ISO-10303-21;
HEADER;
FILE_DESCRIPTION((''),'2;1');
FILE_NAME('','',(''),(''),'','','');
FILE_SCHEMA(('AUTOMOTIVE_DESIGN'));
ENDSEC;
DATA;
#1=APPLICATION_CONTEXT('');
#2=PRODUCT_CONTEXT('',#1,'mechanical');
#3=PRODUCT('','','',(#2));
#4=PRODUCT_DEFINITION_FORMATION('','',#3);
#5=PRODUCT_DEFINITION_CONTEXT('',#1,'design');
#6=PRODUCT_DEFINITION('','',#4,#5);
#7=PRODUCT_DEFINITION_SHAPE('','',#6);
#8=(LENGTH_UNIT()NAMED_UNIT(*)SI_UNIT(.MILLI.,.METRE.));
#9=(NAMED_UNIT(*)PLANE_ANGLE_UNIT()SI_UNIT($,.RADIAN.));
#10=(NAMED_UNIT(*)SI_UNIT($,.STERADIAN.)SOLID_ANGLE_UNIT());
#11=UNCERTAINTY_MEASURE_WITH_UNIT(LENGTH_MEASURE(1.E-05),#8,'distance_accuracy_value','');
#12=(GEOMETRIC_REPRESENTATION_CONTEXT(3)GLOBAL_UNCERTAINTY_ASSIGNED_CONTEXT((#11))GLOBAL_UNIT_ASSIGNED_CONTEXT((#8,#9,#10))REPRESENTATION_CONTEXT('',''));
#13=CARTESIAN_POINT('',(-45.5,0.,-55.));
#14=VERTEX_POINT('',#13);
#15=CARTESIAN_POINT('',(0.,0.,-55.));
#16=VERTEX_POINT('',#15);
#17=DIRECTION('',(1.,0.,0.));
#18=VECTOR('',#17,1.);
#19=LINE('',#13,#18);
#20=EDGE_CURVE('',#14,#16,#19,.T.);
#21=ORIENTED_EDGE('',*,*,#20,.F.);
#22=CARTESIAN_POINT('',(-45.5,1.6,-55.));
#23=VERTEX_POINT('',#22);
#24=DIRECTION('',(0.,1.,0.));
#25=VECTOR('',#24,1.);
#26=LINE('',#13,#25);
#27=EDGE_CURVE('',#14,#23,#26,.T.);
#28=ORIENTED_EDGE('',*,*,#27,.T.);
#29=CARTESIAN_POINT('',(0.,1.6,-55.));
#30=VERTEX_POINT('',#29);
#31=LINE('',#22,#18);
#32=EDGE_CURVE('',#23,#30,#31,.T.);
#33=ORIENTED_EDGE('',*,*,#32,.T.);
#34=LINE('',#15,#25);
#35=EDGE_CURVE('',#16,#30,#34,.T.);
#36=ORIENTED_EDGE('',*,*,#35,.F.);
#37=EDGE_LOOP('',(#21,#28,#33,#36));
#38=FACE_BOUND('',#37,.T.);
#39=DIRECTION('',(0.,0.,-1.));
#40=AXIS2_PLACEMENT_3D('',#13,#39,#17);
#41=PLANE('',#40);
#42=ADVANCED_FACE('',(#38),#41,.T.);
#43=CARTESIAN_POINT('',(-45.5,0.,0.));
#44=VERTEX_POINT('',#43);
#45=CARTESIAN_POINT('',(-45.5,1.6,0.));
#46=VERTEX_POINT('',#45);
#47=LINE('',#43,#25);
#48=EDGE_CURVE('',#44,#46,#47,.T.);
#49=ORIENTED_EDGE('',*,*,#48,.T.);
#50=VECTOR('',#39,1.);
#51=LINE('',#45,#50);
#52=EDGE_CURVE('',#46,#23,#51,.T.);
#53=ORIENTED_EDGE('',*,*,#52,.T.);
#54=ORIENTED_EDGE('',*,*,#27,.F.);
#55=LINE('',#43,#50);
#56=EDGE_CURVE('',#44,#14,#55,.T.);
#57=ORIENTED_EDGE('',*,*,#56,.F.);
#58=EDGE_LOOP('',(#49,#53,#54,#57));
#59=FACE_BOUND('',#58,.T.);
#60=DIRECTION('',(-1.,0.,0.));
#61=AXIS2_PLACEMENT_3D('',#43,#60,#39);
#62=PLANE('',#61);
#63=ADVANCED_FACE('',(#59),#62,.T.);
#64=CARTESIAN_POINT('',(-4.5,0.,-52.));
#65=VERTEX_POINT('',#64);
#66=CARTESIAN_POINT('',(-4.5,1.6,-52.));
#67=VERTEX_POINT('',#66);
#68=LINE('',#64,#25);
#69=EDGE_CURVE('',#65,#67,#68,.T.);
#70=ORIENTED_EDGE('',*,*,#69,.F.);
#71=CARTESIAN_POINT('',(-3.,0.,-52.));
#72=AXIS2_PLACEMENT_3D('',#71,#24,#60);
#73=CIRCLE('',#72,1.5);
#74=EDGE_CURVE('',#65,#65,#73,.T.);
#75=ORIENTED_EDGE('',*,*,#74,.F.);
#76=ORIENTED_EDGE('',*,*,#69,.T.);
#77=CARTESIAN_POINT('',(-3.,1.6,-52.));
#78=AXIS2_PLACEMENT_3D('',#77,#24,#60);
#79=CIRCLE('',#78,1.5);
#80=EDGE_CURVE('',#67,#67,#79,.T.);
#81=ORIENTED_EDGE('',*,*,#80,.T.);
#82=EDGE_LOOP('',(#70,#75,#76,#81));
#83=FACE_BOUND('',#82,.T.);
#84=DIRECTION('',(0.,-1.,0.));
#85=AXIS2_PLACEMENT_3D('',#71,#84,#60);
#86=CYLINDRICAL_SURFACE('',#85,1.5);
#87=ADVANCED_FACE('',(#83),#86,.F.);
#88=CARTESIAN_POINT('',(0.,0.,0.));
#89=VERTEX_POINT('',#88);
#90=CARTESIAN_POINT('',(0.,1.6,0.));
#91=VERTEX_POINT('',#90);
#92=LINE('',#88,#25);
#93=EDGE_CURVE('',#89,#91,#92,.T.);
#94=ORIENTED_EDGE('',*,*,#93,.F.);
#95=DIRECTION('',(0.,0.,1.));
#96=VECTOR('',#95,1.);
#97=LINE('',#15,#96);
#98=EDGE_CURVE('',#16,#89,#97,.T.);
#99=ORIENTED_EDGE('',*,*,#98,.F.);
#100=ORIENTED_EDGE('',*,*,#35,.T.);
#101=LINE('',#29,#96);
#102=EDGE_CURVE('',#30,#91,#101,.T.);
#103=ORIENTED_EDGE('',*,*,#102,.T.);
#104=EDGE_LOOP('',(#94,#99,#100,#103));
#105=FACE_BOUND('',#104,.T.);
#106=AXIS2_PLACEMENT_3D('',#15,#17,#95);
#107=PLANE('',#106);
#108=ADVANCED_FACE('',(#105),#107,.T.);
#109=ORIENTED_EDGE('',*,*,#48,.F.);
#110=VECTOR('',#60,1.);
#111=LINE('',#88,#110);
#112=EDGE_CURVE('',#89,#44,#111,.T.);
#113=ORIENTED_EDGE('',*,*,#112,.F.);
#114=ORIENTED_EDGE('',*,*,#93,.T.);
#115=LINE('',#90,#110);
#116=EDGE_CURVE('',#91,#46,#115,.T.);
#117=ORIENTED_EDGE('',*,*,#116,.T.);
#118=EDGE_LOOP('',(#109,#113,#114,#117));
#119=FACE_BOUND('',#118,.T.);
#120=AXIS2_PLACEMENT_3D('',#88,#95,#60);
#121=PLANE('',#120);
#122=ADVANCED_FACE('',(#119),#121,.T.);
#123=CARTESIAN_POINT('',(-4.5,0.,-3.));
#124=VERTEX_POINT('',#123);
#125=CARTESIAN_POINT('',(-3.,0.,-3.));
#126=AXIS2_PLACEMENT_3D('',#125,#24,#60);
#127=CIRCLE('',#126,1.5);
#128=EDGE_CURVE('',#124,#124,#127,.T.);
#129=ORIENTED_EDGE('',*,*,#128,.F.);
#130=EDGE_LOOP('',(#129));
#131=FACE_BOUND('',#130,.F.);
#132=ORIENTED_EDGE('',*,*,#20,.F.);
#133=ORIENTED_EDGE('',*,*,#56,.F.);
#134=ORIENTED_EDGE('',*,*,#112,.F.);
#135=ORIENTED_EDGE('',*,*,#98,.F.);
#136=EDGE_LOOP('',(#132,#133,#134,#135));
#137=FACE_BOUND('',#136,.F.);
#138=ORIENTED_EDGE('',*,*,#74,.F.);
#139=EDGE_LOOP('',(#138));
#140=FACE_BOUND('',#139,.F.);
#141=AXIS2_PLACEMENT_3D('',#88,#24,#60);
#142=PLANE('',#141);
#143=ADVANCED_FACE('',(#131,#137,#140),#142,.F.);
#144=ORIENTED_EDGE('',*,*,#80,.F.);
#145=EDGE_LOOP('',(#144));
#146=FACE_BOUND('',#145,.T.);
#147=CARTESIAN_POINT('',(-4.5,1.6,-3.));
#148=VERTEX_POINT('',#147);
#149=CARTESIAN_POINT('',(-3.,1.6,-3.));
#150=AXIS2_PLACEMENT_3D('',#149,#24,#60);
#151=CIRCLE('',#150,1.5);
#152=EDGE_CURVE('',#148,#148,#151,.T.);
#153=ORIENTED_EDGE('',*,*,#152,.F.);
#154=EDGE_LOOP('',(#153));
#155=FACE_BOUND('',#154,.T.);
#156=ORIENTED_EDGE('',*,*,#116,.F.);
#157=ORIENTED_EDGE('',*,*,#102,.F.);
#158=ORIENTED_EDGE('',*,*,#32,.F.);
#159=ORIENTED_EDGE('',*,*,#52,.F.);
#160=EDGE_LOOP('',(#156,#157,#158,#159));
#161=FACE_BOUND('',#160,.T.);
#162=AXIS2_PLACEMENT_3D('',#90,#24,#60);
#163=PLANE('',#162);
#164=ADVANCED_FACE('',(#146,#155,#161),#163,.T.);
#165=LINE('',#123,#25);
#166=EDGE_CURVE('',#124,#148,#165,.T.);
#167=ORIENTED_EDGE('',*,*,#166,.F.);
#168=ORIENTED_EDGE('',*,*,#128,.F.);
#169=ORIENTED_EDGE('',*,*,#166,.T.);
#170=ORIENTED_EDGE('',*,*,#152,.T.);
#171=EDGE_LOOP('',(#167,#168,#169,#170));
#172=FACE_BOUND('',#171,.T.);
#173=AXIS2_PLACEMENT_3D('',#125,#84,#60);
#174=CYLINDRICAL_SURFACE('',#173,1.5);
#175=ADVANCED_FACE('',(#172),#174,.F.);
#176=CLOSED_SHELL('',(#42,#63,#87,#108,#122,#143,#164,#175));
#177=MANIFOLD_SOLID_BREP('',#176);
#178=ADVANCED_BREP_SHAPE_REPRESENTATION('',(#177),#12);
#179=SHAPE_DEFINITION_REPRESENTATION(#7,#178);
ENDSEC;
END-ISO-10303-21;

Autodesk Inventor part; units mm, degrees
ref_plane "YZ Plane" through (0, 0, 0) normal (1, 0, 0) x (0, 1, 0)
ref_plane "XZ Plane" through (0, 0, 0) normal (0, 1, 0) x (-1, 0, 0)
ref_plane "XY Plane" through (0, 0, 0) normal (0, 0, 1) x (1, 0, 0)
sketch "Esquisse1" plane through (0, 0, 0) normal (0, 1, 0) x (-1, 0, 0)
  line L0 (0, 0) -> (45.5, 0)
  line L1 (45.5, 0) -> (45.5, -55)
  line L2 (45.5, -55) -> (0, -55)
  line L3 (0, -55) -> (0, 0)
  line L4 (3, 0) -> (3, -55) construction
  circle A0 centre (3, -3) radius 1.5
  line L5 (45.5, -27.5) -> (0, -27.5) construction
  circle A1 centre (3, -52) radius 1.5
  dimension "d0" = 3
  dimension "d1" = 45.5
  dimension "d2" = 55
  dimension "d3" = 49
  dimension "d4" = 3
extrude "Extrusion1" add sketch "Esquisse1" along normal blind 1.6
properties part number "board"
